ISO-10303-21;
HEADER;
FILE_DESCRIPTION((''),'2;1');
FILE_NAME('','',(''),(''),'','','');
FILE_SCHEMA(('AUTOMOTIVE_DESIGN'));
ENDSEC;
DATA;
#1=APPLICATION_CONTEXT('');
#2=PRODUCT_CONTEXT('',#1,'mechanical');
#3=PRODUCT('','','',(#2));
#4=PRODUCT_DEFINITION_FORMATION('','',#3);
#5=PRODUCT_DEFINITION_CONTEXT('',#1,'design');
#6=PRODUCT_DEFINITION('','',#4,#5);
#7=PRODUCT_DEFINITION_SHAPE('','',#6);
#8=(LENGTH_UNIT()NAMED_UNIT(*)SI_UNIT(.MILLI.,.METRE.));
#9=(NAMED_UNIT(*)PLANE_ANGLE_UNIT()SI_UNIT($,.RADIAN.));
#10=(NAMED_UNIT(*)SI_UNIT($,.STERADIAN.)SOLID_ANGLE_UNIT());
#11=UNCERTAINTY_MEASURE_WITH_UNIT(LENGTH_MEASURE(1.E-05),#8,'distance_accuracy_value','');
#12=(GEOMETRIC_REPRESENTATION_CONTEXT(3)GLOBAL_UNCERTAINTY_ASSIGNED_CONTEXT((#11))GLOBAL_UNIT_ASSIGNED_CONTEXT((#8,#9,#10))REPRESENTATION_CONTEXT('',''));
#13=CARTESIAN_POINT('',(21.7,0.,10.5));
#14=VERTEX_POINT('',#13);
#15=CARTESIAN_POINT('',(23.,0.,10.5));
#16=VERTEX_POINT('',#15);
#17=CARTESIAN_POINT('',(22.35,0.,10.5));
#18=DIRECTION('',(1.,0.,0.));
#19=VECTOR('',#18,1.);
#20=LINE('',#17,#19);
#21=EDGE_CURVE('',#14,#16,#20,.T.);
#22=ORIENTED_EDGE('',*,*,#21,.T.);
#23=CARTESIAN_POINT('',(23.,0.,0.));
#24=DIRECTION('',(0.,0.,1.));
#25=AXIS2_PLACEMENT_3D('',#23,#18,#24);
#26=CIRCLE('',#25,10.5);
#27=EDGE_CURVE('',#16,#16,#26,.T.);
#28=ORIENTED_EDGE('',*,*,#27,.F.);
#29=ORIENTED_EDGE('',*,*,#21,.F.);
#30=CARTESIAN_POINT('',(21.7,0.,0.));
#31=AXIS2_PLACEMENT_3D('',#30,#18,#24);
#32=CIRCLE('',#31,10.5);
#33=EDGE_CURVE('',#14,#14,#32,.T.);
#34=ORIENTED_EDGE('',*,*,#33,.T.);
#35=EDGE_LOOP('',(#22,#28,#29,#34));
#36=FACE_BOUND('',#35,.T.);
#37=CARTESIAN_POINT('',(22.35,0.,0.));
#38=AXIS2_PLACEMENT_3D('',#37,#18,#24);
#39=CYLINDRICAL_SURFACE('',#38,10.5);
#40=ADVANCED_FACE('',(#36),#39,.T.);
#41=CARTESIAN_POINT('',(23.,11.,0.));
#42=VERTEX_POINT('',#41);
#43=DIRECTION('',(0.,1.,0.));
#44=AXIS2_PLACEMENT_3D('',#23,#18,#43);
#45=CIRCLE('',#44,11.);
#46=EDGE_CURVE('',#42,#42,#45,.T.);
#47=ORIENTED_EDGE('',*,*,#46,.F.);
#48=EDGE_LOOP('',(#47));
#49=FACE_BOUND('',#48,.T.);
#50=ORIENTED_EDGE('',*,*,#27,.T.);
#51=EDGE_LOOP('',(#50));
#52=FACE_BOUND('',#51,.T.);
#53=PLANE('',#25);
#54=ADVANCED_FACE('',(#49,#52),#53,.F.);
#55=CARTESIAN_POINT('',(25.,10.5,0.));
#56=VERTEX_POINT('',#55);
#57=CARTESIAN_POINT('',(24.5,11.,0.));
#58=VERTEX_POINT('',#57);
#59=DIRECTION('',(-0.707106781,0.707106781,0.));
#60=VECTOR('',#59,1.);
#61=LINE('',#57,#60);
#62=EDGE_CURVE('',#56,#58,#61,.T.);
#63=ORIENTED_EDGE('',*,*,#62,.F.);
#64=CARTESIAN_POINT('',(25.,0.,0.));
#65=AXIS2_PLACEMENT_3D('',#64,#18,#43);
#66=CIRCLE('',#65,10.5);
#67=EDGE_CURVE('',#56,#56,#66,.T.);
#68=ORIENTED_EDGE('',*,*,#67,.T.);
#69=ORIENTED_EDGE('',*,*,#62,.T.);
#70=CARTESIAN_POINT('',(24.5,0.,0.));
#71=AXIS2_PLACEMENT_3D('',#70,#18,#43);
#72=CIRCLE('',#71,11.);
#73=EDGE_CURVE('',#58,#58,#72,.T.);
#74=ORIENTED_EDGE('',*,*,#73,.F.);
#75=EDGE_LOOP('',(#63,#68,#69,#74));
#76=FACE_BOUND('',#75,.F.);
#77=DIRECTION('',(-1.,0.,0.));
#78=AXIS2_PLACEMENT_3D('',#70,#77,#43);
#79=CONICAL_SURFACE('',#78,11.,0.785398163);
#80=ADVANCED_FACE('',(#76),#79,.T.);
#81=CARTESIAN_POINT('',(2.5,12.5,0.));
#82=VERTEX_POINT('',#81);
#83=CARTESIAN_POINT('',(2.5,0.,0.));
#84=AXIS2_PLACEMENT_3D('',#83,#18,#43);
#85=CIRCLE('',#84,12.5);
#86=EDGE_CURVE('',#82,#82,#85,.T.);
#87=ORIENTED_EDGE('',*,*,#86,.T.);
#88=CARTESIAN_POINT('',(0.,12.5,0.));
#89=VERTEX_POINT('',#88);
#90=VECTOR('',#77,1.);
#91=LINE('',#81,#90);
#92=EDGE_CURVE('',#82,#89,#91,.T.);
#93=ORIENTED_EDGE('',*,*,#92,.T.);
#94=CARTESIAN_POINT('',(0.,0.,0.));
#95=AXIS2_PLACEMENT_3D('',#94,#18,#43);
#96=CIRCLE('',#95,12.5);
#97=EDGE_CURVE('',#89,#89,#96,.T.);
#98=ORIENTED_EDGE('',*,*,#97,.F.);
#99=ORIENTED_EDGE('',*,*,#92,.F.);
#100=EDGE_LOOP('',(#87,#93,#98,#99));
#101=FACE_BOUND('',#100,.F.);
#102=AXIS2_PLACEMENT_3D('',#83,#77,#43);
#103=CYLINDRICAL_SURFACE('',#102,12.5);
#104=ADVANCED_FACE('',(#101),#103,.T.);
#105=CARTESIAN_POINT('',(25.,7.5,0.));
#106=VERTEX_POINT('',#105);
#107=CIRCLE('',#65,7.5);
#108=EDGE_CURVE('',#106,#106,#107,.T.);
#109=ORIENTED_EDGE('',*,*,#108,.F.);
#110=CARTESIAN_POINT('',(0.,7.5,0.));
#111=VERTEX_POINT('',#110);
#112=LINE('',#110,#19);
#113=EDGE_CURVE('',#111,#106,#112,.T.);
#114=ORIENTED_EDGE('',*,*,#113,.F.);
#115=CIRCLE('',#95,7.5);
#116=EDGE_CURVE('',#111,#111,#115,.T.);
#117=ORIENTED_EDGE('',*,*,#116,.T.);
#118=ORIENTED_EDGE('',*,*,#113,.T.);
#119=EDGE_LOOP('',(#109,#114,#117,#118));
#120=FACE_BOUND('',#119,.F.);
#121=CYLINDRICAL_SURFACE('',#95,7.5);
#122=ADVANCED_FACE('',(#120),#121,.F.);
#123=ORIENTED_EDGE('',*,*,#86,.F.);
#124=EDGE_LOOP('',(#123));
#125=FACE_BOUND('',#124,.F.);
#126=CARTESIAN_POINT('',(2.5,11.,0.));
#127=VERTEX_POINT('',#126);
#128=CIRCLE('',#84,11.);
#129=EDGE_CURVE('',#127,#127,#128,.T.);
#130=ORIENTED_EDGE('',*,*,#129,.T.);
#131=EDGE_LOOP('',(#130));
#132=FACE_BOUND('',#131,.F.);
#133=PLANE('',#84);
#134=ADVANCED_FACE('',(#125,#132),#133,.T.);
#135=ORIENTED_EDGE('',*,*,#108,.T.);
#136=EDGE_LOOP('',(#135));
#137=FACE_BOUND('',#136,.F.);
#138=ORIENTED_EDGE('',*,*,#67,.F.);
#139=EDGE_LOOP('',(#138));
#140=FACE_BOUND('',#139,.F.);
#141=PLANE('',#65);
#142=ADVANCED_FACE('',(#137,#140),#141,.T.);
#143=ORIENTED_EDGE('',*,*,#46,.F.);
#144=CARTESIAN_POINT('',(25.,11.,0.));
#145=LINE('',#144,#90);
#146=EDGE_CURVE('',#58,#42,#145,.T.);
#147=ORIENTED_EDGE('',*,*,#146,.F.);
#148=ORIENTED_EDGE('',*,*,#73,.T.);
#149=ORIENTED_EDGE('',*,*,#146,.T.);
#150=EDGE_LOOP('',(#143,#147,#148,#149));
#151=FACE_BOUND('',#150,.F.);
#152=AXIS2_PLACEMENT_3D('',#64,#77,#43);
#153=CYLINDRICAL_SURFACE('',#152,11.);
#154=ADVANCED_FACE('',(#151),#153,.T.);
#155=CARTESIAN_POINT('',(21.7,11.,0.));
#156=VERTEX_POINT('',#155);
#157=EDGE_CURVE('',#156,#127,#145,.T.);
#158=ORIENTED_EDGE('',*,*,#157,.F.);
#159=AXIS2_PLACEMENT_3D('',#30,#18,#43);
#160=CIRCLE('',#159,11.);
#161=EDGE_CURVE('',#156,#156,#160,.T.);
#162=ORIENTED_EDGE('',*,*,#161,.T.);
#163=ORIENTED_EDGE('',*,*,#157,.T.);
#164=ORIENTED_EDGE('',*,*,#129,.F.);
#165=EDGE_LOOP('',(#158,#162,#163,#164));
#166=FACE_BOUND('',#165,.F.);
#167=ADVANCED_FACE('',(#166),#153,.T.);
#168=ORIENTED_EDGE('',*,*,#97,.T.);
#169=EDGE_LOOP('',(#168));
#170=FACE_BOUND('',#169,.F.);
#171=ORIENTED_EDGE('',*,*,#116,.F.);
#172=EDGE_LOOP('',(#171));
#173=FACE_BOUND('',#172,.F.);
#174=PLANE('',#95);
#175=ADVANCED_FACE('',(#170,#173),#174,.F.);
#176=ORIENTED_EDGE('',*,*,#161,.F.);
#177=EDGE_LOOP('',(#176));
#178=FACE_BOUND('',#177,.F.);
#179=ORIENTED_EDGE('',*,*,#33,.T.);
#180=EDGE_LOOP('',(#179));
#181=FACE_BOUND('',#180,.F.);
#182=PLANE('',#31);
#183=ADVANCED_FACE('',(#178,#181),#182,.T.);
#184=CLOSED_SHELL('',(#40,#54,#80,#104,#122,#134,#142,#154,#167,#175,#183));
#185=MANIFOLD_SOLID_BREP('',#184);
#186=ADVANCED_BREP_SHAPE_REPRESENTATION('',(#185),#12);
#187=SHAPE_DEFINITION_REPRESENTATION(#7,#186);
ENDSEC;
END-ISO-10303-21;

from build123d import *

# Parameters (mm, degrees)
F2_SIZE = 0.5
F3_W    = 1.3
F3_H    = 0.5


with BuildPart() as f1:
    # F0 (on Top) → F1 (revolve)
    with BuildSketch(Plane.XY):
        Polygon((0, 12.5), (0, 7.5), (25, 7.5), (25, 11), (2.5, 11), (2.5, 12.5), align=None)
    revolve(axis=Axis((6.446342, 0, 0), (1, 0, 0)))

    # F2
    f2_edges = [f1.edges().sort_by_distance(p)[0] for p in [
        (25, -11, 0),
    ]]
    chamfer(f2_edges, length=F2_SIZE)

    # F3 (on Front) → F4 (revolve, cut)
    with BuildSketch(Plane.XZ):
        with Locations((22.35, 10.75)):
            Rectangle(F3_W, F3_H)
    revolve(axis=Axis((15.843794, 0, 0), (1, 0, 0)), mode=Mode.SUBTRACT)


solid = f1.part
